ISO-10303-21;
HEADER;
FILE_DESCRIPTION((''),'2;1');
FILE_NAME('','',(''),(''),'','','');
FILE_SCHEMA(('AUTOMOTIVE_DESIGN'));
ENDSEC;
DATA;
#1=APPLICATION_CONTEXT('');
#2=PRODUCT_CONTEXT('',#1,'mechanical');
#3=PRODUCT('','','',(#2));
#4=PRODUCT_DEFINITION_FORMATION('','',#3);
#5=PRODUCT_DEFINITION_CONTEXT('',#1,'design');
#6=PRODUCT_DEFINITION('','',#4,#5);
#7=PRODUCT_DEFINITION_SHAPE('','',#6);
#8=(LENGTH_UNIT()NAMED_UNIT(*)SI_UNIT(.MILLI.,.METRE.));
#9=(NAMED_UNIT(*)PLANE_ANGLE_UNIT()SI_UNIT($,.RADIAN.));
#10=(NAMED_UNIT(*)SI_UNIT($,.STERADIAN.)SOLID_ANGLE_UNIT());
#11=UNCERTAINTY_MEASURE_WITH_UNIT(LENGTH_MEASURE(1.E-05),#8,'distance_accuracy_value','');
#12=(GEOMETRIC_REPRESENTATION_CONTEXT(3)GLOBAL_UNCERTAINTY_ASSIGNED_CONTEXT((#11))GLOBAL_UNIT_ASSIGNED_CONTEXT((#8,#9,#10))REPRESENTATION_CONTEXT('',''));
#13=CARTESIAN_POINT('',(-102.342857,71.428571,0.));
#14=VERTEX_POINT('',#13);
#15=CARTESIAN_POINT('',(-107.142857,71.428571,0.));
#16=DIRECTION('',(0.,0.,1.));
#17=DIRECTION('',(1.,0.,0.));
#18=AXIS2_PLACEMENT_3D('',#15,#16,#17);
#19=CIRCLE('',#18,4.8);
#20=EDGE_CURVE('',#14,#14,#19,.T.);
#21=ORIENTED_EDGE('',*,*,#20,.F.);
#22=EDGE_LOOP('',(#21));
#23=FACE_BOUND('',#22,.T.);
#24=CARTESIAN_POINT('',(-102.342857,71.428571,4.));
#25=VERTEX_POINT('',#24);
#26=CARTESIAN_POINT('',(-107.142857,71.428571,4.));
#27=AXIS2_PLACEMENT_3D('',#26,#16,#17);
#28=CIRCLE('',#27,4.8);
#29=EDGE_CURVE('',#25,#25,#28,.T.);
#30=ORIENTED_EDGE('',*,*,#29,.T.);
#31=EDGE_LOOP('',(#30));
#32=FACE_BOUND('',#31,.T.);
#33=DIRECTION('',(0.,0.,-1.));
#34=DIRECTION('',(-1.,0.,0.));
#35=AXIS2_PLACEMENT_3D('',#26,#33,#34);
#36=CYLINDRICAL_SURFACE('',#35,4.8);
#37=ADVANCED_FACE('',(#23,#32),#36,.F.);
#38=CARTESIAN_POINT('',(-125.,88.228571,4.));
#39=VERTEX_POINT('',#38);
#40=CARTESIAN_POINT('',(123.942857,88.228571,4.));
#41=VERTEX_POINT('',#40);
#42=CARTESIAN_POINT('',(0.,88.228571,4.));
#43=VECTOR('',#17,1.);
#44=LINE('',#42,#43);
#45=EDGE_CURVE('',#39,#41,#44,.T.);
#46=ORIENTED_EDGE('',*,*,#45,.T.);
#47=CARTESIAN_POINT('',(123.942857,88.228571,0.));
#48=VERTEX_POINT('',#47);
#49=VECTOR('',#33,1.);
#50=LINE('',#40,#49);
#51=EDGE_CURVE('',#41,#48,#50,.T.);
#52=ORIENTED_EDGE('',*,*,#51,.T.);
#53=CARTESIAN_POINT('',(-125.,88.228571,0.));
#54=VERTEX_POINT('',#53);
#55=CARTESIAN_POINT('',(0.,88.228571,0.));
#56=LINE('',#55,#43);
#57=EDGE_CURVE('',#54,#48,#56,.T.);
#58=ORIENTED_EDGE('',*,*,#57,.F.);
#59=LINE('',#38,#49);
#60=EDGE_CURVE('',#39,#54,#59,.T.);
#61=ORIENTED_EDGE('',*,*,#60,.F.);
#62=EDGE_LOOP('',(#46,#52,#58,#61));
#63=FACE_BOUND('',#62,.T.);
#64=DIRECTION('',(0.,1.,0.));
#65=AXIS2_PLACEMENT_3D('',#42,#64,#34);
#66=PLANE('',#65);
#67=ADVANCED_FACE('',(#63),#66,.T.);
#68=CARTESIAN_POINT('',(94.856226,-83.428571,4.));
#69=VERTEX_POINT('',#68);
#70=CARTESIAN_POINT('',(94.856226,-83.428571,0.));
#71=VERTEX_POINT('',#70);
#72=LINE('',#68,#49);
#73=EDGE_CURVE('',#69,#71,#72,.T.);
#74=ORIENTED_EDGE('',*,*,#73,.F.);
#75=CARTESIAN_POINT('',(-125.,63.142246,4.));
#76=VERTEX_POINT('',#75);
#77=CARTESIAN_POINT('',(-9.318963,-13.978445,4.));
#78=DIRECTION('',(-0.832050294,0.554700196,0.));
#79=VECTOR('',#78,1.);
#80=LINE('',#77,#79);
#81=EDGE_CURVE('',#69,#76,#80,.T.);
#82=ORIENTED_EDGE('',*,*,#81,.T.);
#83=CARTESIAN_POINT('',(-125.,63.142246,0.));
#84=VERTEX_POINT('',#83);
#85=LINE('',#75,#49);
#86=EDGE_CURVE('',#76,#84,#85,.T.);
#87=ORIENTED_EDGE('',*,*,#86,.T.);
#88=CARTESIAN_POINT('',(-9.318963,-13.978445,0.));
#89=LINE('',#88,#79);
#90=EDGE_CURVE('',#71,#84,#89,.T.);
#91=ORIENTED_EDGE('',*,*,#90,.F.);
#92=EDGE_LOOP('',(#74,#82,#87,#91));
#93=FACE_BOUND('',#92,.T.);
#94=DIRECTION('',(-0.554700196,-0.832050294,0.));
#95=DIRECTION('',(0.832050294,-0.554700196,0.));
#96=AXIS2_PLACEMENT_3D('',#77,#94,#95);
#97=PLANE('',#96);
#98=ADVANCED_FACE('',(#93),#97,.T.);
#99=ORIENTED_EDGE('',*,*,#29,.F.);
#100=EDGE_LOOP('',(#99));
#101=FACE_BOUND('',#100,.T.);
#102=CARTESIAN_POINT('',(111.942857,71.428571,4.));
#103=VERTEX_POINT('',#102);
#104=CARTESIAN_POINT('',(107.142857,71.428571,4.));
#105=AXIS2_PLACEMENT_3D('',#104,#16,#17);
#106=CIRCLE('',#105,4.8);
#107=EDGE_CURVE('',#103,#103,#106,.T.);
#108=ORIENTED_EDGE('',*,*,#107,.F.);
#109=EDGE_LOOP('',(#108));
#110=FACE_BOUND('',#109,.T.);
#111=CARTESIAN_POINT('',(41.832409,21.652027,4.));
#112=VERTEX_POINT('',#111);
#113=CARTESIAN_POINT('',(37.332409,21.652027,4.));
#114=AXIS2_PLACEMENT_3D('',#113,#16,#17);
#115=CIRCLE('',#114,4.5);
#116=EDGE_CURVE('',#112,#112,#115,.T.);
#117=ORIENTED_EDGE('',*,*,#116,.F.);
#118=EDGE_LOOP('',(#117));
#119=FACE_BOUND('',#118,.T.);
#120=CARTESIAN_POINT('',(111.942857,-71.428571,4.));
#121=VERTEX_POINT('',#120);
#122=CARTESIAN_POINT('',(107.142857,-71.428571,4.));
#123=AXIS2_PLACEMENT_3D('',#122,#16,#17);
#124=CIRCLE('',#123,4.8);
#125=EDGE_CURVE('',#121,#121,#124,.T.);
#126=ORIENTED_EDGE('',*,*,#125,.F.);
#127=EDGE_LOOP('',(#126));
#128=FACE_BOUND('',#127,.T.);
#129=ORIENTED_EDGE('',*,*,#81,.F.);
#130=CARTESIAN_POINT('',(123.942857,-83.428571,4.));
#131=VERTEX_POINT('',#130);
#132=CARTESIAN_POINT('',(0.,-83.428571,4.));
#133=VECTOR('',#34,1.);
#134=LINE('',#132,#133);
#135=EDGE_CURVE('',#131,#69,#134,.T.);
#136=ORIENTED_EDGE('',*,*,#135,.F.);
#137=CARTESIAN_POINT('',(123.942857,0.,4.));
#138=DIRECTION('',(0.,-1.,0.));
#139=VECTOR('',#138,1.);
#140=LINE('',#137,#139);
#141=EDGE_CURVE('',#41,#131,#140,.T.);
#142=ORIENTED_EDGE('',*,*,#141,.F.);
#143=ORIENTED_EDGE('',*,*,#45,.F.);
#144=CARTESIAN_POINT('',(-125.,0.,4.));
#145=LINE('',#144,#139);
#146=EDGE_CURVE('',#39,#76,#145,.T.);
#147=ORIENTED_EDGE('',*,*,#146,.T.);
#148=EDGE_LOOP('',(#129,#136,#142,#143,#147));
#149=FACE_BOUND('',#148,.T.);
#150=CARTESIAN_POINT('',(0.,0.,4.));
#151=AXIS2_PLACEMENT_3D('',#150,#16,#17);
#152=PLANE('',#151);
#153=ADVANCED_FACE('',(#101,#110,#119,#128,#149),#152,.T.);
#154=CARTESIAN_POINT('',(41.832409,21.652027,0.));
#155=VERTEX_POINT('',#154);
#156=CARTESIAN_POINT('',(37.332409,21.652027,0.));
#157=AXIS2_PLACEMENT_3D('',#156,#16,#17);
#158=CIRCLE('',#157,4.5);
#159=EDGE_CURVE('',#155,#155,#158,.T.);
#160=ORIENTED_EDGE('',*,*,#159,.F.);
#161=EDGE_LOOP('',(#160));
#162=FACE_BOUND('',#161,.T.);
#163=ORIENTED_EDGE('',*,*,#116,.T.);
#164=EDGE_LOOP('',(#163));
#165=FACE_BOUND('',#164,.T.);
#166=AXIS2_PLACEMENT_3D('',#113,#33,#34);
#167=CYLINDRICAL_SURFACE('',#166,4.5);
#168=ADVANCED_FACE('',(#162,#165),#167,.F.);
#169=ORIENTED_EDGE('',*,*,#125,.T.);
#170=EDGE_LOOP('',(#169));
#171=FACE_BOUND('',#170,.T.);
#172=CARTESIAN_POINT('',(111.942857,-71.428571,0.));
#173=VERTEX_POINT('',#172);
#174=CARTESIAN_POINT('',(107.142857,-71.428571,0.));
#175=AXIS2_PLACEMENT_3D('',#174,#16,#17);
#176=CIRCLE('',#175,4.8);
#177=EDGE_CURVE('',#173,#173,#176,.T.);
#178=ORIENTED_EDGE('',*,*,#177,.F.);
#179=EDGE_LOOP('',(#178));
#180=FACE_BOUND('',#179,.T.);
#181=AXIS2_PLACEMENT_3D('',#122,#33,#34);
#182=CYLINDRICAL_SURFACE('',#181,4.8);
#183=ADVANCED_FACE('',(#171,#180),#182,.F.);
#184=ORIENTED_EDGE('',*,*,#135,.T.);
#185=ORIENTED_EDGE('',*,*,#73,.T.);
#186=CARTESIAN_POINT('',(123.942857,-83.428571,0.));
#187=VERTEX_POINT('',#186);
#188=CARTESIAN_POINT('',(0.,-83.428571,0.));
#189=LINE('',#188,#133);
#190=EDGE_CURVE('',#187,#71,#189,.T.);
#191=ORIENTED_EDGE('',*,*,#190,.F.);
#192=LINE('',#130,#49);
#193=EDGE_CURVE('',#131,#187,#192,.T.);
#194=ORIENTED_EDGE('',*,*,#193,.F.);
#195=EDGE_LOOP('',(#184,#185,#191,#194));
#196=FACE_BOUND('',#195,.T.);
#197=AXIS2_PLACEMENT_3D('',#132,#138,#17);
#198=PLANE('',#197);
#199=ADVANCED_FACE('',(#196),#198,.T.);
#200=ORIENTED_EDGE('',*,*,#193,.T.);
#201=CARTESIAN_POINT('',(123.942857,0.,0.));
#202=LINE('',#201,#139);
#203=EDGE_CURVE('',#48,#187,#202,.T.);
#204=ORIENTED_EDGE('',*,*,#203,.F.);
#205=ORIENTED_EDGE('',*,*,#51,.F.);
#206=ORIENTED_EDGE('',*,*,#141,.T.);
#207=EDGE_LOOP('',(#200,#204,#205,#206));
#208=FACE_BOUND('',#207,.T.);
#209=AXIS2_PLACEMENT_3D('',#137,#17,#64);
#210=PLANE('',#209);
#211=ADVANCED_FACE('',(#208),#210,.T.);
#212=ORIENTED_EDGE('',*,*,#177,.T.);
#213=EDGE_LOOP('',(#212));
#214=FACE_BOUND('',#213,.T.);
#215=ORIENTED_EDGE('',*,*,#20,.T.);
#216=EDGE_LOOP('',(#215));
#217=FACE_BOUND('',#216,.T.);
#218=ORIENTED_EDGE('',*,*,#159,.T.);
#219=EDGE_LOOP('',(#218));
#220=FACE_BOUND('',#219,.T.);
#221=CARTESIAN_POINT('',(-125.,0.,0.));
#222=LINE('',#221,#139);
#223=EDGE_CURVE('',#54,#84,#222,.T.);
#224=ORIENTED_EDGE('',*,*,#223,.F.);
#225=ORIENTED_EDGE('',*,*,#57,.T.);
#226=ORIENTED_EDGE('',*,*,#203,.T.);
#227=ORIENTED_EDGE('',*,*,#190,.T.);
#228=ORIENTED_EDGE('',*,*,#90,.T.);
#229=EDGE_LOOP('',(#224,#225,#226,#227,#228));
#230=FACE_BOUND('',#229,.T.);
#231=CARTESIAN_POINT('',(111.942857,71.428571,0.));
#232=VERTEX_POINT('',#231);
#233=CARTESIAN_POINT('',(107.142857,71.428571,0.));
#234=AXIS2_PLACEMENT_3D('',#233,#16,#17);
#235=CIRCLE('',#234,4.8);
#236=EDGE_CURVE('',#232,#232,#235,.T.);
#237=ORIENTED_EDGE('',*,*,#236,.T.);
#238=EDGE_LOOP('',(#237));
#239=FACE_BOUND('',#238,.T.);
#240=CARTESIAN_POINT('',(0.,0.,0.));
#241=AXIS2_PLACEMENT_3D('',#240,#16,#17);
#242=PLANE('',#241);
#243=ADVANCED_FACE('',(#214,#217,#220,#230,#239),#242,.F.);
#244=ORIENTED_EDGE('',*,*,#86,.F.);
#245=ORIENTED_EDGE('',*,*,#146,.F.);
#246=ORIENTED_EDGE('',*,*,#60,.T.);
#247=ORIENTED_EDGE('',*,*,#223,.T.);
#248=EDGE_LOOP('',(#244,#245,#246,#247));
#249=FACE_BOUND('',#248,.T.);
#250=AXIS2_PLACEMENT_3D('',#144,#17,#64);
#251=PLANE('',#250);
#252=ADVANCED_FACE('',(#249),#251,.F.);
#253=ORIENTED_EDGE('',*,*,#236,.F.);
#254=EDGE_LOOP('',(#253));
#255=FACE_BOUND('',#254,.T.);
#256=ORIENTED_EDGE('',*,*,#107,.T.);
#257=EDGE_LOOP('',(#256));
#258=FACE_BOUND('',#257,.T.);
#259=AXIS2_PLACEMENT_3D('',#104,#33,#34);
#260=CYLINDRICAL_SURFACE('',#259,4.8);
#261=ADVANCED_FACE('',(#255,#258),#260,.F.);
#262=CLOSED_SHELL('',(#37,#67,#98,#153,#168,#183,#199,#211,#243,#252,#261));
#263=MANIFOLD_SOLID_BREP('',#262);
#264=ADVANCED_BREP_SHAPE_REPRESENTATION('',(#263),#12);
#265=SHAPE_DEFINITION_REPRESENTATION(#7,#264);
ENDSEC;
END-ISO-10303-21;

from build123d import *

# Parameters (mm, degrees)
SKETCH1_R           = 4.8
SKETCH1_R_2         = 1.5
SKETCH1_R_3         = 4.5
BOSS_EXTRUDE1_DEPTH = 4


with BuildPart() as part:
    # Sketch1 → Boss-Extrude1 (new body)
    # profile 1 of 5: a face of its own
    with BuildSketch(Plane.XY):
        Polygon((-125, 88.228571429), (-125, 63.142246191), (94.856226429, -83.428571429), (123.942857143, -83.428571429), (123.942857143, 88.228571429), align=None)
        with Locations((107.142857143, -71.428571429)):
            Circle(SKETCH1_R, mode=Mode.SUBTRACT)
        with Locations((-107.142857143, 71.428571429)):
            Circle(SKETCH1_R, mode=Mode.SUBTRACT)
        with Locations((21.832408692, 6.152026506)):
            Circle(SKETCH1_R_2, mode=Mode.SUBTRACT)
        with Locations((37.332408692, 21.652026506)):
            Circle(SKETCH1_R_3, mode=Mode.SUBTRACT)
        with Locations((52.832408692, 6.152026506)):
            Circle(SKETCH1_R_2, mode=Mode.SUBTRACT)
        with Locations((21.832408692, 37.152026506)):
            Circle(SKETCH1_R_2, mode=Mode.SUBTRACT)
        with Locations((52.832408692, 37.152026506)):
            Circle(SKETCH1_R_2, mode=Mode.SUBTRACT)
        with Locations((107.142857143, 71.428571429)):
            Circle(SKETCH1_R, mode=Mode.SUBTRACT)
    # profile 2 of 5: a face of its own
    with BuildSketch(Plane.XY):
        with Locations((21.832408692, 6.152026506)):
            Circle(SKETCH1_R_2)
    # profile 3 of 5: a face of its own
    with BuildSketch(Plane.XY):
        with Locations((21.832408692, 37.152026506)):
            Circle(SKETCH1_R_2)
    # profile 4 of 5: a face of its own
    with BuildSketch(Plane.XY):
        with Locations((52.832408692, 37.152026506)):
            Circle(SKETCH1_R_2)
    # profile 5 of 5: a face of its own
    with BuildSketch(Plane.XY):
        with Locations((52.832408692, 6.152026506)):
            Circle(SKETCH1_R_2)
    extrude(amount=BOSS_EXTRUDE1_DEPTH)


solid = part.part
